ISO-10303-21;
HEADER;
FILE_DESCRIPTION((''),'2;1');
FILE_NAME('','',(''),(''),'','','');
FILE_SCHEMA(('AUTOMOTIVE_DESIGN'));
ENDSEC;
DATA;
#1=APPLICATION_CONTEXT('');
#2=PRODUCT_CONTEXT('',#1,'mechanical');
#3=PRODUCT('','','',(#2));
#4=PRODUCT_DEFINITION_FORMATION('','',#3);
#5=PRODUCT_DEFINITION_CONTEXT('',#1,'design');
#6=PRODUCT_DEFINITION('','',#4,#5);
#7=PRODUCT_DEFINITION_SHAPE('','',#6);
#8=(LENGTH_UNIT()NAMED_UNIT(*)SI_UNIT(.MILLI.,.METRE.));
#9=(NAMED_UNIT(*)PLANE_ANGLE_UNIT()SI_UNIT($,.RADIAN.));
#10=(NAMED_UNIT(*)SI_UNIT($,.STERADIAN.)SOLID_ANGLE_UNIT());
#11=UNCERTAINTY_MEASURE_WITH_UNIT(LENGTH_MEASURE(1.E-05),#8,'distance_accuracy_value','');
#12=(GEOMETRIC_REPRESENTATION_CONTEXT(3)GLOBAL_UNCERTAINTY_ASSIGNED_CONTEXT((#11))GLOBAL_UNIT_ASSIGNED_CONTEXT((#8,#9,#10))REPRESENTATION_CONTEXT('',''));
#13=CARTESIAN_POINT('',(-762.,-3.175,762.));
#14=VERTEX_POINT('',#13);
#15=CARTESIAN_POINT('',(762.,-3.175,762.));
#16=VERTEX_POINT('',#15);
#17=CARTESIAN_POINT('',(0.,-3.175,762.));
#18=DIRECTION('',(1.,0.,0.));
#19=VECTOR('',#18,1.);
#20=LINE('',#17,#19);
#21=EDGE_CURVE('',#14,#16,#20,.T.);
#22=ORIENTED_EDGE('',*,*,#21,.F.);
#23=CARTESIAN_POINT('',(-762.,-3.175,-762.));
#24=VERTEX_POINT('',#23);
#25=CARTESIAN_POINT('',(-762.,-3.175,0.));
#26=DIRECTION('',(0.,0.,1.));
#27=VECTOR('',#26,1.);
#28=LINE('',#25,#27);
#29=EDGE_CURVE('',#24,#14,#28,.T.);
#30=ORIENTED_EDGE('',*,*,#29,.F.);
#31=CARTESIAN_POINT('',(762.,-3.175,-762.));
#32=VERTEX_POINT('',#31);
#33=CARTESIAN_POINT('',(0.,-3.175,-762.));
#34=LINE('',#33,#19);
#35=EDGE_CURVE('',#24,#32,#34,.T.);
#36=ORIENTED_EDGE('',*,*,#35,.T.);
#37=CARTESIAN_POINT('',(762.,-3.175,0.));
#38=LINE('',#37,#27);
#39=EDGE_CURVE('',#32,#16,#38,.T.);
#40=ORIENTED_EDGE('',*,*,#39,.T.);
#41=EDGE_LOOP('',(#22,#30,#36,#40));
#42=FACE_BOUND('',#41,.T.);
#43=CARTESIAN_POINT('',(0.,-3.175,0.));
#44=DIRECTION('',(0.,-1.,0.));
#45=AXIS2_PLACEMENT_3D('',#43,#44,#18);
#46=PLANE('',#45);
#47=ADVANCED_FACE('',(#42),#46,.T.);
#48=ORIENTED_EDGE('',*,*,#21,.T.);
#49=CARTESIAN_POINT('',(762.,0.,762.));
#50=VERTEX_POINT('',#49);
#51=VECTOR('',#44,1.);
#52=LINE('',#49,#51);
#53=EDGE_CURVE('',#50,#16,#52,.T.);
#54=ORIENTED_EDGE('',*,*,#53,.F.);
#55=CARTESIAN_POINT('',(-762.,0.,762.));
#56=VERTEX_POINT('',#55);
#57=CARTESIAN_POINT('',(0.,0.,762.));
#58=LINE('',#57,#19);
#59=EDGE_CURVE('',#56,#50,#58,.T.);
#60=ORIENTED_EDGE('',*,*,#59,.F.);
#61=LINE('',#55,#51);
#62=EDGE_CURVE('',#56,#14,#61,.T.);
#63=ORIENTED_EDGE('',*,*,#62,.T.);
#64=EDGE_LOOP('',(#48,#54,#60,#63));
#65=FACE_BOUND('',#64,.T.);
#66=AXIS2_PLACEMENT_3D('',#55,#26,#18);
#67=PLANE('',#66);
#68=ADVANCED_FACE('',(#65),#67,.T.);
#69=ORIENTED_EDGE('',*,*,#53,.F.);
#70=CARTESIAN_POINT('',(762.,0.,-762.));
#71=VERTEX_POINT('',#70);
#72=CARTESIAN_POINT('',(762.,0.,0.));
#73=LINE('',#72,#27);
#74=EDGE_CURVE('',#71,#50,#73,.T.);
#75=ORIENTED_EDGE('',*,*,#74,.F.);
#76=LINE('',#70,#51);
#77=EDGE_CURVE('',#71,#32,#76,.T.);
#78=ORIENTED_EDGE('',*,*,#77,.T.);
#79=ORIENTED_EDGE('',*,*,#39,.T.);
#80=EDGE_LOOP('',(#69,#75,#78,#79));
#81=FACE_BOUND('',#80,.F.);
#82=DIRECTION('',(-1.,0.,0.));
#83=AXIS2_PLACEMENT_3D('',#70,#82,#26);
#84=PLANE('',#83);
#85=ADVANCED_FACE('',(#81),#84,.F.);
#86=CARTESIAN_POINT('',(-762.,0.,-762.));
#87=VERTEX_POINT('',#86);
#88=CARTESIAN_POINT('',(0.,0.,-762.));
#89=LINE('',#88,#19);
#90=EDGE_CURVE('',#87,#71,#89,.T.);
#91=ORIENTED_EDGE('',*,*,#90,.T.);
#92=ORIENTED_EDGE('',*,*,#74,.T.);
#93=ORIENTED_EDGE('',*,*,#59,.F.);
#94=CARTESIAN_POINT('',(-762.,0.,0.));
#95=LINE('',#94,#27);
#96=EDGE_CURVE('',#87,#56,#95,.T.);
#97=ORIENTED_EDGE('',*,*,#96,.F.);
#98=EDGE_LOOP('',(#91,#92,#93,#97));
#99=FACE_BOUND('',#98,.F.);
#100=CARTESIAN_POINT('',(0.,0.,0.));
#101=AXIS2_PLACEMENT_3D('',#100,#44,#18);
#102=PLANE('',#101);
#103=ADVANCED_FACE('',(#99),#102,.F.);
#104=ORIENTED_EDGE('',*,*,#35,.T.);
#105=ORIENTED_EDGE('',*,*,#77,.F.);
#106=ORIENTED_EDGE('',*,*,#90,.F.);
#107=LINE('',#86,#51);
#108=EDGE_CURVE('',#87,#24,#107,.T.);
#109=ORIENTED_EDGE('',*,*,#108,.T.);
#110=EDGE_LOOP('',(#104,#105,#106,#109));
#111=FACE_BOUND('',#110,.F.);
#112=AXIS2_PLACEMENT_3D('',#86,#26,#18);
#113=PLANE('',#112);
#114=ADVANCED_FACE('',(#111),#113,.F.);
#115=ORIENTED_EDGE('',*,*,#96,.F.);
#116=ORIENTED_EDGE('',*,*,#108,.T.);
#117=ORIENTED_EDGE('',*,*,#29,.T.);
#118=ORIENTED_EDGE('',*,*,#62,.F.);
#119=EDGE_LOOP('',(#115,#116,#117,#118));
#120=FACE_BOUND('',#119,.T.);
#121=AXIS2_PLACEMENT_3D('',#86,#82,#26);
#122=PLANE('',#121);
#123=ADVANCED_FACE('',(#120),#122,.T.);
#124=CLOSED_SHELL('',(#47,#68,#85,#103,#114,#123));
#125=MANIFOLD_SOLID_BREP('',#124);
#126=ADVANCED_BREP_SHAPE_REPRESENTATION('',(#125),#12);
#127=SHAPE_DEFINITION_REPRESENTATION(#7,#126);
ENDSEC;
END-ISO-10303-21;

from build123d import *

# Parameters (mm, degrees)
F0_W     = 1651
F0_H     = 1651
F1_DEPTH = 3.175
F3_W     = 1524
F3_H     = 1524
F4_DEPTH = 3.175


with BuildPart() as f1:
    # F0 (on Front) → F1 (new body)
    with BuildSketch(Plane.XZ):
        Rectangle(F0_W, F0_H)
    extrude(amount=F1_DEPTH)


with BuildPart() as f4:
    # F3 (on Front) → F4 (new body)
    with BuildSketch(Plane.XZ):
        Rectangle(F3_W, F3_H)
    extrude(amount=F4_DEPTH)


solid = f4.part
